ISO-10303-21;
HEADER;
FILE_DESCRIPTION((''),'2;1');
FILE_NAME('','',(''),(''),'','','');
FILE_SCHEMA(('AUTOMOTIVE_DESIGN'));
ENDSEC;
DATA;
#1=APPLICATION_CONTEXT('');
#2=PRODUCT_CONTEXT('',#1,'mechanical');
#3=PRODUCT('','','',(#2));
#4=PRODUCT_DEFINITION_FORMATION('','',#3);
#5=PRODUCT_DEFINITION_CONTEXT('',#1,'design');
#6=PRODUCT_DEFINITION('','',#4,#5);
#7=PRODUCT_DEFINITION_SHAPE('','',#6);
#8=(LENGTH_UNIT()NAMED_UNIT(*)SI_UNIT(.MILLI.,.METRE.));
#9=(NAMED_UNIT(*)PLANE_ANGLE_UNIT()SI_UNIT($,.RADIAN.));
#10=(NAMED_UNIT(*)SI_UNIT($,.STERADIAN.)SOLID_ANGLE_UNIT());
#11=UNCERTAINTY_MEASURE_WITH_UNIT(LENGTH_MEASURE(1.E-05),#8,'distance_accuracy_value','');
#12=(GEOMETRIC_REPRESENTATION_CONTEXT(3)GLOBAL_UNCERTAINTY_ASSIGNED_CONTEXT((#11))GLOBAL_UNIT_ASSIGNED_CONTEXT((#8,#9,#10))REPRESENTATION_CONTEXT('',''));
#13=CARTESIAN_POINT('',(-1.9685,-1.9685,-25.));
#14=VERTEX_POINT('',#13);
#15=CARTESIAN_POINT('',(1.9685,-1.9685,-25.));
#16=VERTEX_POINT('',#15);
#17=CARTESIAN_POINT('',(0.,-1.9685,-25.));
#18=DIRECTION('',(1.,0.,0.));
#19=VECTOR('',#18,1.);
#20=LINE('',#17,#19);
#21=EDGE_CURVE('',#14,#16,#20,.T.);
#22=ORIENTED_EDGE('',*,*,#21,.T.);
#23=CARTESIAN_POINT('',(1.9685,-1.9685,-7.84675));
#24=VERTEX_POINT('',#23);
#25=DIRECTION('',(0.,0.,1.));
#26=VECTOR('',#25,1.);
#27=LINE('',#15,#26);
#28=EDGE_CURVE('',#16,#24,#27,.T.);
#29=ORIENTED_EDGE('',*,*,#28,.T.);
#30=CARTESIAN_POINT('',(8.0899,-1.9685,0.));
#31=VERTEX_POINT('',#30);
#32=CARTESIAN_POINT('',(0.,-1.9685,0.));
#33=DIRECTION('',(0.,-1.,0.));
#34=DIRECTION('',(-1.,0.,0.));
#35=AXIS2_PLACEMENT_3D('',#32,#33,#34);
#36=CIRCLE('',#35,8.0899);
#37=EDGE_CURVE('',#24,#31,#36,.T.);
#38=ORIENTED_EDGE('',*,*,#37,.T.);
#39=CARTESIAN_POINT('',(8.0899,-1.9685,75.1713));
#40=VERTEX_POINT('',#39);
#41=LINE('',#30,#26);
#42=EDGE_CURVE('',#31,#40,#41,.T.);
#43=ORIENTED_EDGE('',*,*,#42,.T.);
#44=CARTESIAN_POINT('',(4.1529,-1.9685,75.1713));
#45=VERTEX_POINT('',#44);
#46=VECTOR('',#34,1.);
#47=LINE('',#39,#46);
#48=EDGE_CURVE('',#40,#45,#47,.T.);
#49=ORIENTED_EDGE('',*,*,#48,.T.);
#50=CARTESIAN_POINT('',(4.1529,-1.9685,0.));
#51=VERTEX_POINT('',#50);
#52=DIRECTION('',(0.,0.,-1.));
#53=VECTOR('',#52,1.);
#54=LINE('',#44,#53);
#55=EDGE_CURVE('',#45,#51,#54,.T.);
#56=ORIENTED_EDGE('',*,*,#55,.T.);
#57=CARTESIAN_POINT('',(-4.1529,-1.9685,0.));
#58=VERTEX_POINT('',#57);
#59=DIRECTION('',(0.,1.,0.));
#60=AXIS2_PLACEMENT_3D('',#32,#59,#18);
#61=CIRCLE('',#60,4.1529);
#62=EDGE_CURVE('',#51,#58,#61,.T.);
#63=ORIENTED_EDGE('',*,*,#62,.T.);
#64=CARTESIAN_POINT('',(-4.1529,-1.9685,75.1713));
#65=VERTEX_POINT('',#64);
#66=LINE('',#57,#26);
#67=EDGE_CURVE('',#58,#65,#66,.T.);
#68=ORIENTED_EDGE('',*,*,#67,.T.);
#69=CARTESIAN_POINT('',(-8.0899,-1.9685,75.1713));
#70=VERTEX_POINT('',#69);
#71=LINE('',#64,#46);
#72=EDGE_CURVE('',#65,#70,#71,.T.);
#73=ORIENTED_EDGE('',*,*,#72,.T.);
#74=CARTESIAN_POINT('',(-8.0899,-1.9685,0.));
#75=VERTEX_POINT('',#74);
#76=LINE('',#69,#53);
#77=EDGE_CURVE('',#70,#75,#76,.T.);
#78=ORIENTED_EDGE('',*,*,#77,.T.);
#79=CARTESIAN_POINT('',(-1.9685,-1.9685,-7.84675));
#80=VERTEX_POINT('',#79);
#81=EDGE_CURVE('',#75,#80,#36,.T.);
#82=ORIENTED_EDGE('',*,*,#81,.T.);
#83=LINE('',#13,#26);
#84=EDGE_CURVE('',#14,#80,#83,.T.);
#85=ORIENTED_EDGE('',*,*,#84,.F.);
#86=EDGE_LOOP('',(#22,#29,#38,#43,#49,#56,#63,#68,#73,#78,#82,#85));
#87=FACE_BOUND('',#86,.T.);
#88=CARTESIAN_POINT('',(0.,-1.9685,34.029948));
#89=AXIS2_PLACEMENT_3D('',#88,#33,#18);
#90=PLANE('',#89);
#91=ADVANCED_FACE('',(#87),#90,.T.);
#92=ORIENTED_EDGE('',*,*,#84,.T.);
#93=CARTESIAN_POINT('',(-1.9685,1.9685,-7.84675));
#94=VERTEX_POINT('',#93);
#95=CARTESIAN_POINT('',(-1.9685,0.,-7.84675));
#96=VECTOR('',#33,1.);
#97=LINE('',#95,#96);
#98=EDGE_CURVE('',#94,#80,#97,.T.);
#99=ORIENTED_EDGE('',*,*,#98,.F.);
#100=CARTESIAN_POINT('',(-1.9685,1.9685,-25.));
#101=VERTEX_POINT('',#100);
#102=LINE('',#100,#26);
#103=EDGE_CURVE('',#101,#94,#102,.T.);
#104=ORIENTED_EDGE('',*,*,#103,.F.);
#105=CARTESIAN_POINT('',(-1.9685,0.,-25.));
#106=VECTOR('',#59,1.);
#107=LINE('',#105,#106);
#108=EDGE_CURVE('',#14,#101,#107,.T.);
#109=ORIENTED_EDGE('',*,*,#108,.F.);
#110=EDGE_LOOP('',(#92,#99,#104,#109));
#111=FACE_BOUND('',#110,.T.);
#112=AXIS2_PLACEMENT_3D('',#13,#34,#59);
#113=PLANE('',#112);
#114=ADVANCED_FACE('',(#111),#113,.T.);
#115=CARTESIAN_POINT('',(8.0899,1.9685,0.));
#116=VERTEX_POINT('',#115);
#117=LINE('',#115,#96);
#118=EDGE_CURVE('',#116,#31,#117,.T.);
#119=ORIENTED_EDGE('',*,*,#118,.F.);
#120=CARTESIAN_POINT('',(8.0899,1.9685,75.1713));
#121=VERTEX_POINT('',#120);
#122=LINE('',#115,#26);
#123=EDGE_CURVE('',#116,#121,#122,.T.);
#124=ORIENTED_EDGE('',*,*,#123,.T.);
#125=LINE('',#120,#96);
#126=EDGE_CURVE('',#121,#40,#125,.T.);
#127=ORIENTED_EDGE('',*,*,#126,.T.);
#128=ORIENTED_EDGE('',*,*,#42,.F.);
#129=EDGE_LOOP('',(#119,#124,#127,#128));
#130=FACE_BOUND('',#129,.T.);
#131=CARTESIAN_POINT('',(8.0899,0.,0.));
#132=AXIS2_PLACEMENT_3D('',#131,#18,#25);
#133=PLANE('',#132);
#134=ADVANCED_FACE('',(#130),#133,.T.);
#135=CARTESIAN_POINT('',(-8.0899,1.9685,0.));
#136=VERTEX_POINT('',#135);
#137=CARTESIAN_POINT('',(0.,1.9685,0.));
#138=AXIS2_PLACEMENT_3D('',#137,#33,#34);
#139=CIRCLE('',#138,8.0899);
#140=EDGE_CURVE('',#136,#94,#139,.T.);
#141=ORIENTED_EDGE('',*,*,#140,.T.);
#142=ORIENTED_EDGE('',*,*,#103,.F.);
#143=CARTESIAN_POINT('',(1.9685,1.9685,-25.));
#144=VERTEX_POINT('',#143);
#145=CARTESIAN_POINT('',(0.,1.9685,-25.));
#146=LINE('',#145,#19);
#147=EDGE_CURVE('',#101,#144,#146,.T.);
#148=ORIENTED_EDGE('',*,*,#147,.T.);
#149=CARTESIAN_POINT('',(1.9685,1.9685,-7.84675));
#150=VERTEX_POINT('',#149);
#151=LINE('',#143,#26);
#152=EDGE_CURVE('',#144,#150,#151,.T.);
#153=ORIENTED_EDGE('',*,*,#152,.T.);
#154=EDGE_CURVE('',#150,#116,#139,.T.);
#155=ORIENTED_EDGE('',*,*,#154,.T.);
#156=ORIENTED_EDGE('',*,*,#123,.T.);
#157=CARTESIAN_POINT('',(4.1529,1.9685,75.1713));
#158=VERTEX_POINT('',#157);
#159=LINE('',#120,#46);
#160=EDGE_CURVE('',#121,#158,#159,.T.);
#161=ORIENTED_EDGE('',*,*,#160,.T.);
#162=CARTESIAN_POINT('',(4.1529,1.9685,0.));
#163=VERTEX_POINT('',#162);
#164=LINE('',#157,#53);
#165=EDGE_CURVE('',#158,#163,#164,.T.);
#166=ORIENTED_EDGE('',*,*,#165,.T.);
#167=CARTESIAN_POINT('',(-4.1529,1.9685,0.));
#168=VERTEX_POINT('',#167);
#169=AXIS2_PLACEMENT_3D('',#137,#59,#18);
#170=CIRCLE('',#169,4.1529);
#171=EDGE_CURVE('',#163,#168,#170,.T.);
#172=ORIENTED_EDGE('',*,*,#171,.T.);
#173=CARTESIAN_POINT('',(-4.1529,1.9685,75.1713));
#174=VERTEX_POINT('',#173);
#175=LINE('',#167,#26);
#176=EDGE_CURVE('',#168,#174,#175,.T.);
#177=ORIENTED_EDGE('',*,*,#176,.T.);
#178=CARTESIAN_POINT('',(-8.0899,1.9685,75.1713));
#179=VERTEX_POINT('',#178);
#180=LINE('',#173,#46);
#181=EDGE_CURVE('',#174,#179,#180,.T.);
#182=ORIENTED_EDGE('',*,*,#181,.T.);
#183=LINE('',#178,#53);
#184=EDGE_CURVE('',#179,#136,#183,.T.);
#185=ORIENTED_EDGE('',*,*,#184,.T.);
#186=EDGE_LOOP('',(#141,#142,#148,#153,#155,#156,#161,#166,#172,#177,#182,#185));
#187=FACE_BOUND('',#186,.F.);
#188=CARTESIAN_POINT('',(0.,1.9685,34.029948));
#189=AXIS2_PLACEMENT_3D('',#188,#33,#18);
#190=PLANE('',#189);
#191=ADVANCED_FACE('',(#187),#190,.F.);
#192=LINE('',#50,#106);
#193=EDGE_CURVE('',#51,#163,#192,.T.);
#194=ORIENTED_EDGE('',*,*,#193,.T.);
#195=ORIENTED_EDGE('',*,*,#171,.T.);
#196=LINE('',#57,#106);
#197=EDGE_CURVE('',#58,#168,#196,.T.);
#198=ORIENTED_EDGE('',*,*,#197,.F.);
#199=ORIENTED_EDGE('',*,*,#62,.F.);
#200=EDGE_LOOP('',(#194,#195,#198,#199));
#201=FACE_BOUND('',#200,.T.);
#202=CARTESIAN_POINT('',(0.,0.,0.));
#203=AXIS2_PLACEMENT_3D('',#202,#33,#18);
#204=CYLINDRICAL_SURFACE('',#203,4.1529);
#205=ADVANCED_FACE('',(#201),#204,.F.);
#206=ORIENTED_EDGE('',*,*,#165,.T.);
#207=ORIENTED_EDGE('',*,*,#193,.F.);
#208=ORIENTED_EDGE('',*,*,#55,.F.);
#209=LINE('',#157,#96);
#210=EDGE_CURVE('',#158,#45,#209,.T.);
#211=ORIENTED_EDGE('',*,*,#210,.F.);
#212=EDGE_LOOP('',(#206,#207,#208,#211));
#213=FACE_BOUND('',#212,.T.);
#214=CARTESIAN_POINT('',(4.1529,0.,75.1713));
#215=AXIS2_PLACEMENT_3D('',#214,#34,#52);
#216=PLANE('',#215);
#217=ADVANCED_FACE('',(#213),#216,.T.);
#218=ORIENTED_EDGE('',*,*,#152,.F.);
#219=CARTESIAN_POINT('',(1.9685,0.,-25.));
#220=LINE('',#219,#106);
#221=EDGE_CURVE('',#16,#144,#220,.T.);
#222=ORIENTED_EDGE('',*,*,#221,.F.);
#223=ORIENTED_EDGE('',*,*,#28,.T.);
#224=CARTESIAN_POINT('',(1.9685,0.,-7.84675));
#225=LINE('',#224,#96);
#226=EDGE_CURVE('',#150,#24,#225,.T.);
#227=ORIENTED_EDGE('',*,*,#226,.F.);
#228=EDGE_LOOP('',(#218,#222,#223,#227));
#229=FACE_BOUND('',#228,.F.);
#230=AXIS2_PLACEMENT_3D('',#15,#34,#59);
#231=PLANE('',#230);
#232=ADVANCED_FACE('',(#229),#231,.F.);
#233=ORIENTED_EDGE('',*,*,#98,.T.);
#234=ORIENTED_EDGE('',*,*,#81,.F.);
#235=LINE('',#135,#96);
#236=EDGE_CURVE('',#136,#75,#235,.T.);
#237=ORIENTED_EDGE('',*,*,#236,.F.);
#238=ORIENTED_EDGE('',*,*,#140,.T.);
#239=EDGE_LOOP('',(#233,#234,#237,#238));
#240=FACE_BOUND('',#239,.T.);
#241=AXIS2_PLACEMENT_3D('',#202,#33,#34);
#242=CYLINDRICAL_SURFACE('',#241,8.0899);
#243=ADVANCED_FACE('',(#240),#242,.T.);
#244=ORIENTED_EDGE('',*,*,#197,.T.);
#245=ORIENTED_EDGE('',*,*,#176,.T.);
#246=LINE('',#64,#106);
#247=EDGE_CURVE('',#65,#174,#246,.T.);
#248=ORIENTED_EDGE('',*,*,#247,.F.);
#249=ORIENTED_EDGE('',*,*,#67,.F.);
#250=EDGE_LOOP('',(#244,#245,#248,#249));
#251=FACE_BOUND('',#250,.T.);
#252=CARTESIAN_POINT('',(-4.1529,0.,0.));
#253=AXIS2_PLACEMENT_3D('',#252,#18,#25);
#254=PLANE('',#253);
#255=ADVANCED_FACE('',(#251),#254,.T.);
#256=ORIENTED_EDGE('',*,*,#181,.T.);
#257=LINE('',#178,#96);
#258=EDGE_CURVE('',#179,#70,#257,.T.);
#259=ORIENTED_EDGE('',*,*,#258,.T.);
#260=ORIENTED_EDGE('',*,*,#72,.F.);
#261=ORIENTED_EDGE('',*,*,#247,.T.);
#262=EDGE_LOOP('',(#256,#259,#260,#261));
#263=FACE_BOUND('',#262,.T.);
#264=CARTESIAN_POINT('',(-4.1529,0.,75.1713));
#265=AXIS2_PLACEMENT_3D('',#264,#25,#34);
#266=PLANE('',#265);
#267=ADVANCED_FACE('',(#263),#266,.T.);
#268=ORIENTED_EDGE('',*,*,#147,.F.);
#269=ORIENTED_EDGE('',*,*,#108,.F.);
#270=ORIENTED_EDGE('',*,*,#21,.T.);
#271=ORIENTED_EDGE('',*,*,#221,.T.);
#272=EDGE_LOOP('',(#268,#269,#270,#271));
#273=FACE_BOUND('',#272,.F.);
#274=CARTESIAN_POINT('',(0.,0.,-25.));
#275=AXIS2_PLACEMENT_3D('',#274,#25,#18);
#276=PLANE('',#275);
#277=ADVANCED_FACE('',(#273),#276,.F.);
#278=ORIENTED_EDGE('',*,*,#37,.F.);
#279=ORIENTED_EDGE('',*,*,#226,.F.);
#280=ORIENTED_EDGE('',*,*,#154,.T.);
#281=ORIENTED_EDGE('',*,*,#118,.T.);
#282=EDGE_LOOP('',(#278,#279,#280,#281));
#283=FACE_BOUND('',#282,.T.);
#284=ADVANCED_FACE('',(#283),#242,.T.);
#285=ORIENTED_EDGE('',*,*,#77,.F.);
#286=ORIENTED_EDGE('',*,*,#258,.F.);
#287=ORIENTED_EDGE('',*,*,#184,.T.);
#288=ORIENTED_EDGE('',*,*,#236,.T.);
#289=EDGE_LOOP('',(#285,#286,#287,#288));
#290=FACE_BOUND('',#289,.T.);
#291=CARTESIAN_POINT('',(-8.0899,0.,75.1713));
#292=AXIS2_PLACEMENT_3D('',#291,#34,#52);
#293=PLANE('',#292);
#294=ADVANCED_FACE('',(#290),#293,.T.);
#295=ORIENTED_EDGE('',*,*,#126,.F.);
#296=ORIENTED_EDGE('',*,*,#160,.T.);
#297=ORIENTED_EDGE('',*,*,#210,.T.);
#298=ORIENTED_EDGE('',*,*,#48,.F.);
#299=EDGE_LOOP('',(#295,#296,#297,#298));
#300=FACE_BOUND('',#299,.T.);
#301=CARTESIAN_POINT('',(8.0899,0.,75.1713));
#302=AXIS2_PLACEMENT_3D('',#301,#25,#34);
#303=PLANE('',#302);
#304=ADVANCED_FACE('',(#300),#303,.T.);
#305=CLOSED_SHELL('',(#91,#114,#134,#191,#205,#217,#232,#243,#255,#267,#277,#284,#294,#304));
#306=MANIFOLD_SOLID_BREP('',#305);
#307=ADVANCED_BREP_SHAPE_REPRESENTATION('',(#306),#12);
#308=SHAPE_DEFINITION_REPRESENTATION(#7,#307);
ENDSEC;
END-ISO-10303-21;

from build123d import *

# Parameters (mm, degrees)
F1_DEPTH = 1.9685
F3_W     = 3.937
F3_H     = 3.937


with BuildPart() as f1:
    # F0 (on Front) → F1 (new body, symmetric)
    with BuildSketch(Plane.XZ):
        with BuildLine():
            Line((-4.1529, 75.1713), (-8.0899, 75.1713))
            Line((-8.0899, 75.1713), (-8.0899, 0))
            ThreePointArc((-8.0899, 0), (0, -8.0899), (8.0899, 0))
            Line((8.0899, 0), (8.0899, 75.1713))
            Line((8.0899, 75.1713), (4.1529, 75.1713))
            Line((4.1529, 75.1713), (4.1529, 0))
            ThreePointArc((4.1529, 0), (0, -4.1529), (-4.1529, 0))
            Line((-4.1529, 0), (-4.1529, 75.1713))
        make_face()
    extrude(amount=F1_DEPTH, both=True)

    # F3 (on offset) → F4 (join, up to the next surface of F1)
    with BuildSketch(Plane.XY.offset(-25)):
        Rectangle(F3_W, F3_H)
    extrude(until=Until.NEXT)


solid = f1.part
